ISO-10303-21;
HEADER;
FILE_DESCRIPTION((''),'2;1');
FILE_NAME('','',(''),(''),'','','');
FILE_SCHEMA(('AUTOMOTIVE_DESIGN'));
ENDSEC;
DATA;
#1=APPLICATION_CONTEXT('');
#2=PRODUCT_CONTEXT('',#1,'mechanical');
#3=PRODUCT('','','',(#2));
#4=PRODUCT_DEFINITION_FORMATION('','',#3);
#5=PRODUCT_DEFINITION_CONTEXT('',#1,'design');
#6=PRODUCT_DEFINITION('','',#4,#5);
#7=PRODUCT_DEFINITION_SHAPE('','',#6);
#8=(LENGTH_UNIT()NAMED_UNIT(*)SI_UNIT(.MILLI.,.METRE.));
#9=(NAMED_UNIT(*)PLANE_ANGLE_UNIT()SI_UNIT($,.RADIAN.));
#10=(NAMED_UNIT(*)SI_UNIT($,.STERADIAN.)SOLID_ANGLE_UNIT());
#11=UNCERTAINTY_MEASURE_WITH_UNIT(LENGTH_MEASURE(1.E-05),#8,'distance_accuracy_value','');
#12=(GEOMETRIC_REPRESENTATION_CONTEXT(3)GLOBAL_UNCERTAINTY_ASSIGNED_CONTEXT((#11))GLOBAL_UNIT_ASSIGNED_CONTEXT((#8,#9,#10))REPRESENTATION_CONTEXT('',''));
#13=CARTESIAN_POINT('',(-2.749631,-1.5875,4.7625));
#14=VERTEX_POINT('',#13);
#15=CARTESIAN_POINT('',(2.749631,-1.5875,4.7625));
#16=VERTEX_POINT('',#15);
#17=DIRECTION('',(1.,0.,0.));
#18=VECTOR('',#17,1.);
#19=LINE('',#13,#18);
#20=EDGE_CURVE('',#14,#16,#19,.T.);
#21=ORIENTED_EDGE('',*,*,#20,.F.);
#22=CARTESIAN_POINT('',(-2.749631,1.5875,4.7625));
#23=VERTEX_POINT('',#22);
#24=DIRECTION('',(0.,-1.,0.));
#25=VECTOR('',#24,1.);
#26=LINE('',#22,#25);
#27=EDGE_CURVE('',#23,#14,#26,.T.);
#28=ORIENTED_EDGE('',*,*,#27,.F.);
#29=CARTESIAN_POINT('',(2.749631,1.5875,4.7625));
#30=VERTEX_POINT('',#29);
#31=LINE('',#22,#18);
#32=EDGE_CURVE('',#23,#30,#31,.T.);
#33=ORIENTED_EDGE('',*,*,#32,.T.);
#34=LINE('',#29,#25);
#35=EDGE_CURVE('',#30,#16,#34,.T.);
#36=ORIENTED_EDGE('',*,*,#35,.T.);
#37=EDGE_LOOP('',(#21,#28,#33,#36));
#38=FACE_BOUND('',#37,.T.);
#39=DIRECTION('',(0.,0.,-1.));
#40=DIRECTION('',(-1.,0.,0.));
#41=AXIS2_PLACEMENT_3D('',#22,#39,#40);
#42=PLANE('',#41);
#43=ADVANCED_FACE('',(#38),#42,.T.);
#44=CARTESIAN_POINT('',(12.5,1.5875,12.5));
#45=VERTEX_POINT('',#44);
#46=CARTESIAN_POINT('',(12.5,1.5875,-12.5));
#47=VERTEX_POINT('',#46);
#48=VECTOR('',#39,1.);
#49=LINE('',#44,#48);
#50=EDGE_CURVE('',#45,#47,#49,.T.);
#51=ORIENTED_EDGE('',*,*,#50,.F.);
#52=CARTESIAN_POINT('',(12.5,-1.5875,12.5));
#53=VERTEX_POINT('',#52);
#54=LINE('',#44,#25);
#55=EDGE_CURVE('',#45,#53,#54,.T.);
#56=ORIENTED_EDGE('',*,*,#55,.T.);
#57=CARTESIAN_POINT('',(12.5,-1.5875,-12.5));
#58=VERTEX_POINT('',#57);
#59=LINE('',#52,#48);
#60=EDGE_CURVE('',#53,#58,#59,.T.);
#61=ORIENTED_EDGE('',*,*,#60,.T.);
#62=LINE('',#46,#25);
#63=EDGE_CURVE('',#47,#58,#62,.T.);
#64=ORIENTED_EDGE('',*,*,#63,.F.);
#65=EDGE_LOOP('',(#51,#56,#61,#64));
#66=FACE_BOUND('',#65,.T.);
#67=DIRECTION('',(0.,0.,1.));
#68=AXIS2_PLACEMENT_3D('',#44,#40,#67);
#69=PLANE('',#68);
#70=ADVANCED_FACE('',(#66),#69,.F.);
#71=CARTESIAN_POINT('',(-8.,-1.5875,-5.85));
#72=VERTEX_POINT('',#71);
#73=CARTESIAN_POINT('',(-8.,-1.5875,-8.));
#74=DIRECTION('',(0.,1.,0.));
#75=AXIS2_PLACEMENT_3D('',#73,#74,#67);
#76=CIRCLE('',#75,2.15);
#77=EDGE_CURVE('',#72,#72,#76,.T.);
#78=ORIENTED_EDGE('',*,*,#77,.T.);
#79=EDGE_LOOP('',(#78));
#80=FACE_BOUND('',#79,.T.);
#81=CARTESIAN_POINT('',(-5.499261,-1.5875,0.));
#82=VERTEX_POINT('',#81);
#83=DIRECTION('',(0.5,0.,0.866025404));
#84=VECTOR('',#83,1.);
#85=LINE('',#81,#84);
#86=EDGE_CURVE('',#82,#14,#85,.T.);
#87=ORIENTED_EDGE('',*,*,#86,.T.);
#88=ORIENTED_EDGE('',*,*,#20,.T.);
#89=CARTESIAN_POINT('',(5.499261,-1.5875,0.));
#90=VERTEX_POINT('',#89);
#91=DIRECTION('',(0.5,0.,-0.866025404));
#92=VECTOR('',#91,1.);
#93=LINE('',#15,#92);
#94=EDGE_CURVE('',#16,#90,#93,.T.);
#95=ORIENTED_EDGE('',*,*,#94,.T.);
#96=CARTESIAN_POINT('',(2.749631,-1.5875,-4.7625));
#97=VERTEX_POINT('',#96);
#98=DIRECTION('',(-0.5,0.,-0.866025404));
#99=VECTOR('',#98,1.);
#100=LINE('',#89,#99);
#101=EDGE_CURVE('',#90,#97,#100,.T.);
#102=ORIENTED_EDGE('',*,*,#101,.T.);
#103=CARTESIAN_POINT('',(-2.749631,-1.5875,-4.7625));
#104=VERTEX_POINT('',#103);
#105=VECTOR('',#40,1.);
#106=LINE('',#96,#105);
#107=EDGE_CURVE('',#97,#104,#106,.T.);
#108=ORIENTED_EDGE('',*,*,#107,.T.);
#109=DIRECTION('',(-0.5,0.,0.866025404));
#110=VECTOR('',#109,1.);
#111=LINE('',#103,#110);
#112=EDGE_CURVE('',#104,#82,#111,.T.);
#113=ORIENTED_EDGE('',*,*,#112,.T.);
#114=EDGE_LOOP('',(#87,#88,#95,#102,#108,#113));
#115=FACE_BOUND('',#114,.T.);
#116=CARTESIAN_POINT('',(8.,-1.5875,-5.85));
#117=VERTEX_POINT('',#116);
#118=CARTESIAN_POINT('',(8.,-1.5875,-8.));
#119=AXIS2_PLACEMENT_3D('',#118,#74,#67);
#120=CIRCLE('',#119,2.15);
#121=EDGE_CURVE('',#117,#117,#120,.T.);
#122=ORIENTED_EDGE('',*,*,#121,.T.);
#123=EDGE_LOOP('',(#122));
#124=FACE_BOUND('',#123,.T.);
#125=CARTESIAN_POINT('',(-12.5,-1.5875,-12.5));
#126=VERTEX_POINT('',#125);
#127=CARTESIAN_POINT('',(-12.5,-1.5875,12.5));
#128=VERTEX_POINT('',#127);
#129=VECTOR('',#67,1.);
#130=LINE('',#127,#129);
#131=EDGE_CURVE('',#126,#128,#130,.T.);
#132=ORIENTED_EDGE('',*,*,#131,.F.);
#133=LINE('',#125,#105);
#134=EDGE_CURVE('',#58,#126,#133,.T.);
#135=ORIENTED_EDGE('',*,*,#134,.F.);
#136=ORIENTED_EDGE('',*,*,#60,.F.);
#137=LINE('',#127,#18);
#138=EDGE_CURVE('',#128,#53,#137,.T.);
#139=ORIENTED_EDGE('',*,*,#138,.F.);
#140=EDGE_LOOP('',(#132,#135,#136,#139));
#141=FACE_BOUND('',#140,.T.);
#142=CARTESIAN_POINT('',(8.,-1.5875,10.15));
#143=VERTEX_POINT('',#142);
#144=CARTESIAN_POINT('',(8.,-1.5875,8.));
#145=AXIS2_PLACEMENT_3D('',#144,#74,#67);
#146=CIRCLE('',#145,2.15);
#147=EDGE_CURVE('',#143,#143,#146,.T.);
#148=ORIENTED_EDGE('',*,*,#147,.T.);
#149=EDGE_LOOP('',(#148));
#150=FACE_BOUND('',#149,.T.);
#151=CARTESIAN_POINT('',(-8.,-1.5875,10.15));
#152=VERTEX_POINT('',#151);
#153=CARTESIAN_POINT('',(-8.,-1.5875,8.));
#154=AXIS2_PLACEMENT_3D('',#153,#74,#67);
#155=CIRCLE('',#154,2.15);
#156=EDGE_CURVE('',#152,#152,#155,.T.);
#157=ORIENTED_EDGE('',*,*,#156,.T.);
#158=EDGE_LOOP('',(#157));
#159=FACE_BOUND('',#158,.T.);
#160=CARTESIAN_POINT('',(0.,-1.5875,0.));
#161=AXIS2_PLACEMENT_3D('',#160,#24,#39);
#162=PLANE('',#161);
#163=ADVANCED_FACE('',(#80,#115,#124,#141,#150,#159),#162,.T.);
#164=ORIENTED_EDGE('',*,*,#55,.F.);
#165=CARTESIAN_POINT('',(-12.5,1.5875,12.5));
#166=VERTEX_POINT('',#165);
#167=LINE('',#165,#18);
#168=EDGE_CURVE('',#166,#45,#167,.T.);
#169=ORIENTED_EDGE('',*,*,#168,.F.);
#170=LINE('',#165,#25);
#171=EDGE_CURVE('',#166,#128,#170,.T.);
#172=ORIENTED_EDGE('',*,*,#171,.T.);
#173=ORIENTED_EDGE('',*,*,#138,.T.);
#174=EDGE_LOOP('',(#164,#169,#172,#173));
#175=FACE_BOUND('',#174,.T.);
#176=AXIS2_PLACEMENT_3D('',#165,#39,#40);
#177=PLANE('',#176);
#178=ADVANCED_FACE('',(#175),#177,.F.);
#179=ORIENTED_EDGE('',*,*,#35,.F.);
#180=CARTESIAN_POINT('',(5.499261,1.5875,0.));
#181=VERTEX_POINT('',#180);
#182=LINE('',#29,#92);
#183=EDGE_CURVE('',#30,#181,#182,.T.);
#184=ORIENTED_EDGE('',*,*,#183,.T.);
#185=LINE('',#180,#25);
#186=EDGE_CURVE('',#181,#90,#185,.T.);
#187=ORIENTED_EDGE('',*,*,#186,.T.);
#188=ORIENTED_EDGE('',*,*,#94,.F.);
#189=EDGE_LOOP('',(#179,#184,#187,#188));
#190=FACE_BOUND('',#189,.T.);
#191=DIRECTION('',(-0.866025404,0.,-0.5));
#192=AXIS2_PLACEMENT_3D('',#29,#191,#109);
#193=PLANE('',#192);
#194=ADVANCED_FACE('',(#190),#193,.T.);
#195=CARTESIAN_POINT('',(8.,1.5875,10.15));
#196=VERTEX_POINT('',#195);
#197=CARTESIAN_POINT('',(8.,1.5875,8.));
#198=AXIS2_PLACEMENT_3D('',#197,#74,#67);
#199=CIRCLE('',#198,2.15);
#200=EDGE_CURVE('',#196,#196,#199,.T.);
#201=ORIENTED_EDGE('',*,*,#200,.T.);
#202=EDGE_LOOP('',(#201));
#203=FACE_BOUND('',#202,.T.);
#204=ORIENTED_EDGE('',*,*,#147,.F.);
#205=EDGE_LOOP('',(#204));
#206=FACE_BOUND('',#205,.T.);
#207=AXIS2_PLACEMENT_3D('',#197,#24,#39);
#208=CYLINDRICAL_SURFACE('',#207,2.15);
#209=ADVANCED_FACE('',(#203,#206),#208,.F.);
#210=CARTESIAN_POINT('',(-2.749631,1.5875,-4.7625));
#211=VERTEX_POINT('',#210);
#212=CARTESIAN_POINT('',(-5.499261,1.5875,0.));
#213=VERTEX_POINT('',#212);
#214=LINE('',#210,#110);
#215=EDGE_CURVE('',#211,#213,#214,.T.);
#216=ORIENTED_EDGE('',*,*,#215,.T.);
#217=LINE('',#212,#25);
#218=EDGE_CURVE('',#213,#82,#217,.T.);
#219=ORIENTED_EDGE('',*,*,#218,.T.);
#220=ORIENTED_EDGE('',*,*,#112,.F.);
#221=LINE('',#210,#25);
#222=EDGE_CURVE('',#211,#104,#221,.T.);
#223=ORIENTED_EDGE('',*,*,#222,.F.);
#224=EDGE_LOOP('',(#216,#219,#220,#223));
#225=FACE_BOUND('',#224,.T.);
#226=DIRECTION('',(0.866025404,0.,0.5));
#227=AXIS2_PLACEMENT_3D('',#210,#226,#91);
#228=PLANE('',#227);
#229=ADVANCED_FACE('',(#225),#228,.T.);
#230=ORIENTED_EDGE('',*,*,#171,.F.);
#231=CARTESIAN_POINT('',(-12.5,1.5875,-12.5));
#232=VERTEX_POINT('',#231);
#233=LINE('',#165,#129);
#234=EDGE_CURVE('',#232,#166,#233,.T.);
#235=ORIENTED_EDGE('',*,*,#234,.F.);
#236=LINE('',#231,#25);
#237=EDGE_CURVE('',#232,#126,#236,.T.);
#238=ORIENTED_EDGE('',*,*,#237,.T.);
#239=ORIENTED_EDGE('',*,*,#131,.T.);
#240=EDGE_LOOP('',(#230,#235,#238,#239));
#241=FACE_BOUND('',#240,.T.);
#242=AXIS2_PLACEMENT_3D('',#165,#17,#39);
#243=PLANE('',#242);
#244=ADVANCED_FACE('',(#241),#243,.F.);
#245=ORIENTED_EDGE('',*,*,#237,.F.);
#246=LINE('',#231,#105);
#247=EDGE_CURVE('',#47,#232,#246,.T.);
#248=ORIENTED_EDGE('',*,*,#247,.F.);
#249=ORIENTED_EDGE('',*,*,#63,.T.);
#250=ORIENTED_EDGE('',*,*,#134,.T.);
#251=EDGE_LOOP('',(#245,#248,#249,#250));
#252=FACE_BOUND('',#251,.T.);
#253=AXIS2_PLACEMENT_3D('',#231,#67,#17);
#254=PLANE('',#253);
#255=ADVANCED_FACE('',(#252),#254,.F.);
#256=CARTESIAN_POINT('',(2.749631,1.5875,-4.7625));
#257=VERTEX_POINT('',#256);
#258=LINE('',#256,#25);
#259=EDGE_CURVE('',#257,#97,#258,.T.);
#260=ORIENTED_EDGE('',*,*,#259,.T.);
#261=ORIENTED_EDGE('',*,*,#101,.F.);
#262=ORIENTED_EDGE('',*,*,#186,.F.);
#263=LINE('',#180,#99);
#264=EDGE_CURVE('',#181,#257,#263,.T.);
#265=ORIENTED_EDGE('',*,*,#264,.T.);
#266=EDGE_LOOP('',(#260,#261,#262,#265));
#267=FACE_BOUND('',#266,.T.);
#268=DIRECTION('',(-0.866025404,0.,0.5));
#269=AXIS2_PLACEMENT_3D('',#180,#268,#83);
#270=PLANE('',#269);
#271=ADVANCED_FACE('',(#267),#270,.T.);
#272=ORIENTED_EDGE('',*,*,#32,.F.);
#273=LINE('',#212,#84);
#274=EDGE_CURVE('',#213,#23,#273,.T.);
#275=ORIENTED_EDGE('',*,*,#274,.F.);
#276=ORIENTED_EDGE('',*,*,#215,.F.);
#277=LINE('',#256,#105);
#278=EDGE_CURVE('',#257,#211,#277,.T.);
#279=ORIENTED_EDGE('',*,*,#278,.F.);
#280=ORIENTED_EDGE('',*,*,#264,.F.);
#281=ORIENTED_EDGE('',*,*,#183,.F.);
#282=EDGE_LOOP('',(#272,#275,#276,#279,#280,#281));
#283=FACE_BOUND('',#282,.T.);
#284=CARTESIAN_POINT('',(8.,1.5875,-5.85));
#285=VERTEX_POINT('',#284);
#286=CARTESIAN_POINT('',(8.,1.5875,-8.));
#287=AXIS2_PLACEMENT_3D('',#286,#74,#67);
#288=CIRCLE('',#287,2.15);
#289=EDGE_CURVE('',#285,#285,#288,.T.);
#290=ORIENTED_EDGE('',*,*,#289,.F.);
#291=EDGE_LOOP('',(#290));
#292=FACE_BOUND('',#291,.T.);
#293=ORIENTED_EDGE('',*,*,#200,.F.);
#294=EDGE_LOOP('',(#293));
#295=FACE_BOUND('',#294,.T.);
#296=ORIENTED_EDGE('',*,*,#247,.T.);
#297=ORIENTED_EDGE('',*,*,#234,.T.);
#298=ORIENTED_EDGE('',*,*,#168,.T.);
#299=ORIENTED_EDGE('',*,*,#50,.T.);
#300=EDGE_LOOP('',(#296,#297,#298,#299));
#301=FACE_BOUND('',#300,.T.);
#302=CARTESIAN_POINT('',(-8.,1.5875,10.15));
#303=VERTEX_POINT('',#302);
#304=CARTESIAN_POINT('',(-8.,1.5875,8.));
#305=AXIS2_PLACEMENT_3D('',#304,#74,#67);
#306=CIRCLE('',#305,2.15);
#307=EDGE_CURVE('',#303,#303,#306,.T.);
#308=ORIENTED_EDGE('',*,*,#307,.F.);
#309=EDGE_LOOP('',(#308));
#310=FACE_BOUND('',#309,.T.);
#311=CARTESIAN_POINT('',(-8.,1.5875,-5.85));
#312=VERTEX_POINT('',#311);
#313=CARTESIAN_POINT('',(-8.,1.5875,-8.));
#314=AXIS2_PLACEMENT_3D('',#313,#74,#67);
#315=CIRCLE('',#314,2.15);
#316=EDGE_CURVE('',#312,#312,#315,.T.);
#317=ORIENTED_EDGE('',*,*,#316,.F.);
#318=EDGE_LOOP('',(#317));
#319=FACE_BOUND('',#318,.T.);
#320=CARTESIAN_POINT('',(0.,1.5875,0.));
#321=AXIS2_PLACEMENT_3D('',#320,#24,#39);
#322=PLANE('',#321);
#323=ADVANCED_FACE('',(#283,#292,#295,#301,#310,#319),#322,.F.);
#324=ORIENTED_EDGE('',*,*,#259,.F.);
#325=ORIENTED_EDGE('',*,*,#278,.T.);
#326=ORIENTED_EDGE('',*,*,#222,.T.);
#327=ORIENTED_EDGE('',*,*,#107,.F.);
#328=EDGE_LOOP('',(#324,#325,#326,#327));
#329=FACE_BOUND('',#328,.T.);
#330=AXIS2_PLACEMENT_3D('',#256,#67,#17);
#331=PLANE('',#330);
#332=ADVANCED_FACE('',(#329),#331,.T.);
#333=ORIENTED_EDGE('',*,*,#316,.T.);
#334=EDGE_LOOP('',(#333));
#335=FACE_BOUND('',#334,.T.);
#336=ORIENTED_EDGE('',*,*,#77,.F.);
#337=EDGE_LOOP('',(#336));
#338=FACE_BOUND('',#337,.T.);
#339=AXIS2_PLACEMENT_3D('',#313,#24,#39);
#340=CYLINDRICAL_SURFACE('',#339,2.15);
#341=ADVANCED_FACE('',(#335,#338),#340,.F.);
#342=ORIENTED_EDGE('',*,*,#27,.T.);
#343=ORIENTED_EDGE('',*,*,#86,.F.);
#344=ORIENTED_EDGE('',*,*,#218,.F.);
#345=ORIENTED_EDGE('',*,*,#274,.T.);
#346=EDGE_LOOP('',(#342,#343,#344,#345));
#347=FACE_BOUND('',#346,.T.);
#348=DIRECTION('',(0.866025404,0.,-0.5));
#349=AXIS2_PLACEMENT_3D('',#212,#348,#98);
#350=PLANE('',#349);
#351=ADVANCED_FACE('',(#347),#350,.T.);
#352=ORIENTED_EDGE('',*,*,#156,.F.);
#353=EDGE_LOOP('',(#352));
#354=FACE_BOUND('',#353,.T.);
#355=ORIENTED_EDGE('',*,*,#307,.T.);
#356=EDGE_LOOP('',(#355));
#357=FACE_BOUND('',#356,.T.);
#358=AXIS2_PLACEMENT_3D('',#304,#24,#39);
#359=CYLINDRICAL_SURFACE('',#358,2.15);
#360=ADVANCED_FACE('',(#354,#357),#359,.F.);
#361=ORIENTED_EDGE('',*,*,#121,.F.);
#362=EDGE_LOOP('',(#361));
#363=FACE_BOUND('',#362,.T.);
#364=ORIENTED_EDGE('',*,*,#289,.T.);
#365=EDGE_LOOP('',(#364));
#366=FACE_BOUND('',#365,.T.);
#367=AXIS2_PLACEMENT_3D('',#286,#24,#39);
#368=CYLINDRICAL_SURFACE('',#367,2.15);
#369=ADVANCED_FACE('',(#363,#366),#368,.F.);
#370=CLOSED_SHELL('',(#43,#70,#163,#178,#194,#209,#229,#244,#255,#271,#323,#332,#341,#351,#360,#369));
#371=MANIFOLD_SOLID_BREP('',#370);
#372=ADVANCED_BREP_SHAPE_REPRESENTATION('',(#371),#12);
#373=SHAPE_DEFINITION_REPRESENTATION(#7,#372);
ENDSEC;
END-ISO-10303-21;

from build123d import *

# Parameters (mm, degrees)
SKETCH1_W           = 25
SKETCH1_H           = 25
SKETCH1_R           = 2.15
BOSS_EXTRUDE1_DEPTH = 1.5875


with BuildPart() as part:
    # Sketch1 → Boss-Extrude1 (new body, symmetric)
    with BuildSketch(Plane(origin=(0, 0, 0), x_dir=(1, 0, 0), z_dir=(0, 1, 0))):
        Rectangle(SKETCH1_W, SKETCH1_H)
        with Locations((-8, 8)):
            Circle(SKETCH1_R, mode=Mode.SUBTRACT)
        with Locations((8, 8)):
            Circle(SKETCH1_R, mode=Mode.SUBTRACT)
        with Locations((8, -8)):
            Circle(SKETCH1_R, mode=Mode.SUBTRACT)
        with Locations((-8, -8)):
            Circle(SKETCH1_R, mode=Mode.SUBTRACT)
        Polygon((-2.749630657, -4.7625), (2.749630657, -4.7625), (5.499261314, 0), (2.749630657, 4.7625), (-2.749630657, 4.7625), (-5.499261314, 0), align=None, mode=Mode.SUBTRACT)
    extrude(amount=BOSS_EXTRUDE1_DEPTH, both=True)


solid = part.part
